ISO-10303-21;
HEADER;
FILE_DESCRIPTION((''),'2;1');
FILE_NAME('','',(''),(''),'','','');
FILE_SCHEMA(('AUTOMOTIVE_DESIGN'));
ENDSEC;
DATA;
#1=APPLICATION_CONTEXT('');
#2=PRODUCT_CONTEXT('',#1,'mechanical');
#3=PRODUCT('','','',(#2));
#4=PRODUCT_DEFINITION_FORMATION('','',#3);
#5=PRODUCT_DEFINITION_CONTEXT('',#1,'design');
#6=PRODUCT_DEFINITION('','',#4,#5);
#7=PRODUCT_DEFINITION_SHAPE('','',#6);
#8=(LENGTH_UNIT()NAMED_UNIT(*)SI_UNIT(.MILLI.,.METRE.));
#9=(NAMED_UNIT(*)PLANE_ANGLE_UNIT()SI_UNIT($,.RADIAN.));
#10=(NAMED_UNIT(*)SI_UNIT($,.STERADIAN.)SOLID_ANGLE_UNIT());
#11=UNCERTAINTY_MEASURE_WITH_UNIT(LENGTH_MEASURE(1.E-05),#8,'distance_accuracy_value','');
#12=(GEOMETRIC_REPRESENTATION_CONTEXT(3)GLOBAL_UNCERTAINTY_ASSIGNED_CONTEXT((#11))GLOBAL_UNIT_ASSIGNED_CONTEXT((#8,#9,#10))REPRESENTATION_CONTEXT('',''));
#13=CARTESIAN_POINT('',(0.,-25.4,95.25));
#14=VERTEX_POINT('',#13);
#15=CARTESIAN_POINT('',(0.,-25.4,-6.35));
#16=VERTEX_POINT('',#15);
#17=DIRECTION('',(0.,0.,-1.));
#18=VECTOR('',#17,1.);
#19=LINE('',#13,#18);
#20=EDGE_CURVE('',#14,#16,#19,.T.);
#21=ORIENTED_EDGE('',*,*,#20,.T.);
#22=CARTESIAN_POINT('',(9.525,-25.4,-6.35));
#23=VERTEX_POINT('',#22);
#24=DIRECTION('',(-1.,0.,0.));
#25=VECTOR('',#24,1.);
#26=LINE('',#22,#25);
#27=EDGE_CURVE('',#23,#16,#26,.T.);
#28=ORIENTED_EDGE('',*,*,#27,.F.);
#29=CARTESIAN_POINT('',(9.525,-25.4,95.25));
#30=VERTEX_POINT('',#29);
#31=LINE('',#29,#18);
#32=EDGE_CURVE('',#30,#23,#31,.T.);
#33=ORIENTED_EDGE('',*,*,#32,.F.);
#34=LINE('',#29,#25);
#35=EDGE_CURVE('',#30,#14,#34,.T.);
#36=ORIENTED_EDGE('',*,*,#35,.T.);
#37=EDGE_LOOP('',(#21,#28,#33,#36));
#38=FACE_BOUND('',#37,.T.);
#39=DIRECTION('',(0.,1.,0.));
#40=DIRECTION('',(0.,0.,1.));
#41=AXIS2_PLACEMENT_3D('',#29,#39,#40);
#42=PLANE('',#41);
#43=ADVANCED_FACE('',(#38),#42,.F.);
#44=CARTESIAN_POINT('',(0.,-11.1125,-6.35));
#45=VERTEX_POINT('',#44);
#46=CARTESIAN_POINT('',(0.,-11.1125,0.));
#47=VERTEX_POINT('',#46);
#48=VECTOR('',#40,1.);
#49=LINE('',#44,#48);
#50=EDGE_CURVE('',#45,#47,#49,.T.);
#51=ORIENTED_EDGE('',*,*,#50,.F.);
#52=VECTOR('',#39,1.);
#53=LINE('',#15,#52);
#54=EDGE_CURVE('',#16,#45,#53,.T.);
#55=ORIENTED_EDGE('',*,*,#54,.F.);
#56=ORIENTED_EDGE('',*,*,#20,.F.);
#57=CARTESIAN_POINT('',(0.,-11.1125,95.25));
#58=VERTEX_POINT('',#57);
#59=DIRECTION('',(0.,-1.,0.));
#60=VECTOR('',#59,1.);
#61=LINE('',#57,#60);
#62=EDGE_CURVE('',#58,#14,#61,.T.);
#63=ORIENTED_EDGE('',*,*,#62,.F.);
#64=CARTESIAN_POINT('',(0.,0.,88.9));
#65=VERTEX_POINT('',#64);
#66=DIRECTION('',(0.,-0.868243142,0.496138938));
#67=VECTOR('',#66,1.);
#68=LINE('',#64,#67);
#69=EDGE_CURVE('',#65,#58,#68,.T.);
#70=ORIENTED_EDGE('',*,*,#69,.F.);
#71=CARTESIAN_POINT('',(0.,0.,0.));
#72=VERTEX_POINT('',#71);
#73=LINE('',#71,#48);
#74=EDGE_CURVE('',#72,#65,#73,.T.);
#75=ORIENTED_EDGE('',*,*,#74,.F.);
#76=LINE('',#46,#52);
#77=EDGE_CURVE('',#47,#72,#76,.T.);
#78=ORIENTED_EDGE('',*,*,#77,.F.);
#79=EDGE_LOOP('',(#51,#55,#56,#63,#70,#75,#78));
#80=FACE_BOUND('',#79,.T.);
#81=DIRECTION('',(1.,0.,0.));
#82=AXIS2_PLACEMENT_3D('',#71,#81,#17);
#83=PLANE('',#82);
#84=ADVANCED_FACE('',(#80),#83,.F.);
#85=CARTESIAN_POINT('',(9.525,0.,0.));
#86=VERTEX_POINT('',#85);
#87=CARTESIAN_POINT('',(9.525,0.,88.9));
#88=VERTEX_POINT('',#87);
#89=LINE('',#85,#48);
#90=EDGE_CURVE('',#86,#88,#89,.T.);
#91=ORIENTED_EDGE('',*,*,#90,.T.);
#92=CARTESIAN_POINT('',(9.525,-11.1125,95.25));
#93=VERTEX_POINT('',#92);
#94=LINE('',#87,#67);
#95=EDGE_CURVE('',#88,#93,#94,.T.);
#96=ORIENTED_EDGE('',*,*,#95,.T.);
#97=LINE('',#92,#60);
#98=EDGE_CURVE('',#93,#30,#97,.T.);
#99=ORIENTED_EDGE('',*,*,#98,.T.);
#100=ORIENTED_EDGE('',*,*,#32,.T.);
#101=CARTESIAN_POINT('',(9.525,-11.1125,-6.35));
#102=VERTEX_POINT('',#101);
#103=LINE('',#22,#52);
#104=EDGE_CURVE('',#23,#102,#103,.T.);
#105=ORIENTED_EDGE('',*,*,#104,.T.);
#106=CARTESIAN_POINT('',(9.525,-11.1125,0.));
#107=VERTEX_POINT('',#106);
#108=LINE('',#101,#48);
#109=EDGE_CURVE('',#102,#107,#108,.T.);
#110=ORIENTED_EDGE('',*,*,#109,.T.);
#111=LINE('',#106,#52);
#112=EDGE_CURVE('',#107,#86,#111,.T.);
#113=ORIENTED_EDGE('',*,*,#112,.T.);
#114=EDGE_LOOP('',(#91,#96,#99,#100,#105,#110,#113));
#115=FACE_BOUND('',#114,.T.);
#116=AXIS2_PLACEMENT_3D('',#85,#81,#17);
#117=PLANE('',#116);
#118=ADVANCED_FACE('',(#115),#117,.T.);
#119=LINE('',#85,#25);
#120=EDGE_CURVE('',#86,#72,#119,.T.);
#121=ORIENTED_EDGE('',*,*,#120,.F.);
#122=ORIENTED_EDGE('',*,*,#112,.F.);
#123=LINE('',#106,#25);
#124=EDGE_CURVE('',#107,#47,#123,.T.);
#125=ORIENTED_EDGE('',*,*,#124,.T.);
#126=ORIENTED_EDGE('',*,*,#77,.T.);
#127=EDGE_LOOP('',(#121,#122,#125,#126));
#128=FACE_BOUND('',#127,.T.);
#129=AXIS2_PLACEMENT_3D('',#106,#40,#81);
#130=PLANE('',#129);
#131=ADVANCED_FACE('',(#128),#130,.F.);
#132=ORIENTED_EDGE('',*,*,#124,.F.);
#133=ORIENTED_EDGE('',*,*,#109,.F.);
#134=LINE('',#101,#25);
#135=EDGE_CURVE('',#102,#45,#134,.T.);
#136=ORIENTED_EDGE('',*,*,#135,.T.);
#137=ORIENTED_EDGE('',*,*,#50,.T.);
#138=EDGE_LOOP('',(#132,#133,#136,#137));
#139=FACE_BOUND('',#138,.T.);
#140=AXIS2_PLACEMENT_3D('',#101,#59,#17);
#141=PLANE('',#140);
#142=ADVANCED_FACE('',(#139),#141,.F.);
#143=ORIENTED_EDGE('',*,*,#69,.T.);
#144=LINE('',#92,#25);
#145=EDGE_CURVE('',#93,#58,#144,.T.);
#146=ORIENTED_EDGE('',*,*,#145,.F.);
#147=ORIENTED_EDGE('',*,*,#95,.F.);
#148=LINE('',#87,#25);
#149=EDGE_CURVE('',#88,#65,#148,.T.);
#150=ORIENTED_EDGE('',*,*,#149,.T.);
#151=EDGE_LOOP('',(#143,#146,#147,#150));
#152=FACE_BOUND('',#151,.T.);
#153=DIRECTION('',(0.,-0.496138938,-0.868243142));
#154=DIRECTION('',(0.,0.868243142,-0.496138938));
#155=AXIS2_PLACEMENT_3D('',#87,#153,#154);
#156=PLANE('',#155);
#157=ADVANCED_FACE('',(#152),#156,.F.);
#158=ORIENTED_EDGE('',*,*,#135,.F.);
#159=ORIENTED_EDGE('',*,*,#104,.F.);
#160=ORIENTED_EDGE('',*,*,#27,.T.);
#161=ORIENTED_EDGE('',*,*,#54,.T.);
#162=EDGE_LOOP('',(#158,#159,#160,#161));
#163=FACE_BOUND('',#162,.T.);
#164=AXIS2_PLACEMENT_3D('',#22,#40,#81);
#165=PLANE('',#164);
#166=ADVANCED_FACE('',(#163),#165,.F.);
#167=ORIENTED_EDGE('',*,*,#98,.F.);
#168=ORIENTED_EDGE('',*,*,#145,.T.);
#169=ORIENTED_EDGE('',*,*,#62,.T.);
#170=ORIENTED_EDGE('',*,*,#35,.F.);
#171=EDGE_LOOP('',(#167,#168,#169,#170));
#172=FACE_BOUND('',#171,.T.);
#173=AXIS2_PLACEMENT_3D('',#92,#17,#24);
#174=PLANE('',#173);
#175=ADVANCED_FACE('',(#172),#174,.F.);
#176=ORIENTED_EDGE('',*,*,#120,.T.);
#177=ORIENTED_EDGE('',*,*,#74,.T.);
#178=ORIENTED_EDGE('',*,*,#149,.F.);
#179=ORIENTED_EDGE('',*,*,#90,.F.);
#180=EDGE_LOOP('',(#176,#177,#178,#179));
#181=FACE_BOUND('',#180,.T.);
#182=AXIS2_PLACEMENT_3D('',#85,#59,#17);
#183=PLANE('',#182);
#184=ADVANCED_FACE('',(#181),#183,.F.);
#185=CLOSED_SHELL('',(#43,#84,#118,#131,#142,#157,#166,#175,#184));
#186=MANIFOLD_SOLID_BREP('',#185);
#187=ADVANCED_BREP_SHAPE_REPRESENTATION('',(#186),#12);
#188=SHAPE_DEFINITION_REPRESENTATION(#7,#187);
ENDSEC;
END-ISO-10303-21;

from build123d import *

# Parameters (mm, degrees)
BOSS_EXTRUDE1_DEPTH = 9.525


with BuildPart() as part:
    # Sketch2 → Boss-Extrude1 (new body)
    with BuildSketch(Plane(origin=(0, 0, 0), x_dir=(0, 0, -1), z_dir=(1, 0, 0))):
        Polygon((0, 0), (-88.9, 0), (-95.25, -11.1125), (-95.25, -25.4), (6.35, -25.4), (6.35, -11.1125), (0, -11.1125), align=None)
    extrude(amount=BOSS_EXTRUDE1_DEPTH)


solid = part.part
